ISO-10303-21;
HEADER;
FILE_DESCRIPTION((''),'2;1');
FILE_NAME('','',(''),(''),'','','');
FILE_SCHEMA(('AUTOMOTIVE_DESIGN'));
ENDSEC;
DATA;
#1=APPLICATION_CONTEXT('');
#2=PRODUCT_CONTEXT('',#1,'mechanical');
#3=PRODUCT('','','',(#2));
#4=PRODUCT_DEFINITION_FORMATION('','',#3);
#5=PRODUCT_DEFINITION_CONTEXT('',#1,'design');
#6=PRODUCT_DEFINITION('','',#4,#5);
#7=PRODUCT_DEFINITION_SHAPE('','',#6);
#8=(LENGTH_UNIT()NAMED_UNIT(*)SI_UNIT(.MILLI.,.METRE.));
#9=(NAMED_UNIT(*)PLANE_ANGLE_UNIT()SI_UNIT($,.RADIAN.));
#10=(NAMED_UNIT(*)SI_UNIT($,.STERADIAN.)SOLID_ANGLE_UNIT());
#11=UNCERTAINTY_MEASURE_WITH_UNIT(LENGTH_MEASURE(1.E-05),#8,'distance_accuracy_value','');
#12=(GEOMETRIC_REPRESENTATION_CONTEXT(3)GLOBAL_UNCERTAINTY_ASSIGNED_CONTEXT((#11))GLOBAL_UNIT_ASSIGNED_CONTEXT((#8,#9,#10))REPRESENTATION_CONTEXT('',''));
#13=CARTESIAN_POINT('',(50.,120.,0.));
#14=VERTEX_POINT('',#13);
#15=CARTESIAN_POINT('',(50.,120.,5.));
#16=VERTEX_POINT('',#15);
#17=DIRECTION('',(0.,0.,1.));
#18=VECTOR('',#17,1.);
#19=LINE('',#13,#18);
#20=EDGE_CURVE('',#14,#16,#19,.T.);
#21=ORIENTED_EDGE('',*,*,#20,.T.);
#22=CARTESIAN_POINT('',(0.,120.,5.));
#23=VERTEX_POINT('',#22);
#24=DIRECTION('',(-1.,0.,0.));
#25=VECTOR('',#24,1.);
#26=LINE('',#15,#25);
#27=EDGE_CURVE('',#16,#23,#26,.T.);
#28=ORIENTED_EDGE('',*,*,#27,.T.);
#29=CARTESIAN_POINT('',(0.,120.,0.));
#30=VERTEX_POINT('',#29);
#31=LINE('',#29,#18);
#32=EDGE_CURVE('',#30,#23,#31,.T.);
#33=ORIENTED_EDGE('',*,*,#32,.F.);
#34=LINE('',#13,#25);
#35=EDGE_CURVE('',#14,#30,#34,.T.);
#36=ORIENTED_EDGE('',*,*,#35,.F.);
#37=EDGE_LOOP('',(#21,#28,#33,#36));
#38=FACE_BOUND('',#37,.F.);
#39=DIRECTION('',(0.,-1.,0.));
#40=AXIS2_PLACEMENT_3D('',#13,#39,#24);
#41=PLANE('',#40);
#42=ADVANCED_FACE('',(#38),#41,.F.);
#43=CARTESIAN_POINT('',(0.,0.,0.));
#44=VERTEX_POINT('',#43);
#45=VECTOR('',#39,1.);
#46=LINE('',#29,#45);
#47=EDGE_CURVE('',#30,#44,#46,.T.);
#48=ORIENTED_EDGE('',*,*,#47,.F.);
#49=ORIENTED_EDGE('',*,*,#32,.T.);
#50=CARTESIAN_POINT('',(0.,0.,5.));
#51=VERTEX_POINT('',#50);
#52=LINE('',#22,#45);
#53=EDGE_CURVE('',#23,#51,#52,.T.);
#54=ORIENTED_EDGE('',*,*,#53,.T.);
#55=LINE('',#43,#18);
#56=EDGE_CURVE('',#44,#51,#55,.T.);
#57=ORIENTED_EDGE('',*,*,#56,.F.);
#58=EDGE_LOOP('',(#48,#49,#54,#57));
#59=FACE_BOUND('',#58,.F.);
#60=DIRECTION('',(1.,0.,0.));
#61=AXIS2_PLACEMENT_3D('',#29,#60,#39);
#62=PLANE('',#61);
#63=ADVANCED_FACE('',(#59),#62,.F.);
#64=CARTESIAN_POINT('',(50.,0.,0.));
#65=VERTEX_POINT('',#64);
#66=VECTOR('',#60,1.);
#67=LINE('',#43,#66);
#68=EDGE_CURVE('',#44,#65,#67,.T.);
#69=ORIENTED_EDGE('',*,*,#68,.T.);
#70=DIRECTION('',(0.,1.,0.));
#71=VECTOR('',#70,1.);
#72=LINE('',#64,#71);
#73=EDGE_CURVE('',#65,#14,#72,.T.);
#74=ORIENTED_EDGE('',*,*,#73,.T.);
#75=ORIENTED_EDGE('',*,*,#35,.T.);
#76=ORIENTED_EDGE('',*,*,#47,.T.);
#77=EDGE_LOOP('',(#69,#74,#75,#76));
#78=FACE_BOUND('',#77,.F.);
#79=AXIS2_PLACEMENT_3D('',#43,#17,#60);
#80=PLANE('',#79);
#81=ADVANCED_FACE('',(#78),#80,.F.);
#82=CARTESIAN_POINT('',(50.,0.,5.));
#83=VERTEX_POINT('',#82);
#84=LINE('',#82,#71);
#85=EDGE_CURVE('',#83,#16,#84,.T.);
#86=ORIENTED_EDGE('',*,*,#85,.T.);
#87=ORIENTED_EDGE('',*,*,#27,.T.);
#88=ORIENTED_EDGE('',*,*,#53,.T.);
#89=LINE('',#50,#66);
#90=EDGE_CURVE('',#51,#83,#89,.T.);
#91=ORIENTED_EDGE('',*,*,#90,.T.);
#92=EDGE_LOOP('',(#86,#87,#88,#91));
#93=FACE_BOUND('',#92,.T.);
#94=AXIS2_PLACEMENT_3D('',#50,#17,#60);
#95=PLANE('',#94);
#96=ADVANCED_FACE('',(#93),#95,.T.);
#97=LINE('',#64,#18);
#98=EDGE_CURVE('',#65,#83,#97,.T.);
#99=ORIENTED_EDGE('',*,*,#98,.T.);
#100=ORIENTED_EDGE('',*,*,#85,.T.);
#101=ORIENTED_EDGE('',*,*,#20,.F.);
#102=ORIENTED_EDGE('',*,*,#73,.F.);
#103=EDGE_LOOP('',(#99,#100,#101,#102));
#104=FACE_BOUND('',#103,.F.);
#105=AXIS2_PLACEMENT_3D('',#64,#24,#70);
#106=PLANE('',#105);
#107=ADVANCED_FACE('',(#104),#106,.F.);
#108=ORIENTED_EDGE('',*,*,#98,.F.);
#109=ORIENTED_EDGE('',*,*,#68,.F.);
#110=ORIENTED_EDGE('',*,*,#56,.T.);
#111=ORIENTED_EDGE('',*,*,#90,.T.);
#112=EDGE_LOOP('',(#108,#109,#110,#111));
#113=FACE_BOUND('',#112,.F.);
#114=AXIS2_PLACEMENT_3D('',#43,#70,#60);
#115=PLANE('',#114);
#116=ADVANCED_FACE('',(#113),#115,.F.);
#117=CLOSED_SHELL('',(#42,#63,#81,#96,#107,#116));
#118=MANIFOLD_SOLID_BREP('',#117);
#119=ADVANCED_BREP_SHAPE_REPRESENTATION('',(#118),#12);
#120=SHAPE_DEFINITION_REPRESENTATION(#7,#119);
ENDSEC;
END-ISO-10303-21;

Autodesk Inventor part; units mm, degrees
ref_plane "YZ Plane" through (0, 0, 0) normal (1, 0, 0) x (0, 1, 0)
ref_plane "XZ Plane" through (0, 0, 0) normal (0, 1, 0) x (-1, 0, 0)
ref_plane "XY Plane" through (0, 0, 0) normal (0, 0, 1) x (1, 0, 0)
sketch "Sketch1" plane through (0, 0, 0) normal (0, 0, 1) x (1, 0, 0)
  line L0 (0, 0) -> (50, 0)
  line L1 (50, 0) -> (50, 120)
  line L2 (50, 120) -> (0, 120)
  line L3 (0, 120) -> (0, 0)
  dimension "d0" = 50
  dimension "d1" = 120
extrude "Extrusion1" add sketch "Sketch1" along normal blind 5
equation "\"d0\" = handlew"
equation "\"d1\" = handlel"
equation "\"d2\" = pvct"
equation "\"lcsd\" = 19.05"
equation "\"lcwd1\" = 25"
equation "\"lcwd2\" = 34"
equation "\"lch1\" = 39"
equation "\"lcwd3\" = 43"
equation "\"dia1\" = 6"
equation "\"td\" = 18"
equation "\"bhh\" = 6"
equation "\"sw\" = 25"
equation "\"sh\" = 31"
equation "\"spacert\" = 2"
equation "\"pvct\" = 5"
equation "\"tankl\" = 379"
equation "\"dia4\" = 11"
equation "\"dia3\" = 8"
equation "\"play\" = 9"
equation "\"holeh\" = 26"
equation "\"slack\" = 0.5"
equation "\"surroundt\" = 5"
equation "\"play2\" = 3"
equation "\"diaair\" = 32"
equation "\"diaph\" = 32"
equation "\"diawater\" = 25"
equation "\"diacucl\" = 32"
equation "\"diahcl\" = 32"
equation "\"diaoverflow\" = 25"
equation "\"diasurroundhole\" = 42"
equation "\"bracketwbottom\" = 6"
equation "\"diagrate\" = 12"
equation "\"gratespacing\" = 12.02082"
equation "\"bottomdist\" = 9.6355"
equation "\"sidedist\" = 13.9375"
equation "\"handlel\" = 120"
equation "\"handlew\" = 50"
equation "\"nett\" = 1"
equation "\"nethole\" = 16"
equation "\"nettop\" = 7"
equation "\"netside\" = 3.5"
equation "\"netholespacing\" = 2"
equation "\"diaetape\" = 32"
properties part number "tank_lid_hansle_support" material "PVC-Piping"
